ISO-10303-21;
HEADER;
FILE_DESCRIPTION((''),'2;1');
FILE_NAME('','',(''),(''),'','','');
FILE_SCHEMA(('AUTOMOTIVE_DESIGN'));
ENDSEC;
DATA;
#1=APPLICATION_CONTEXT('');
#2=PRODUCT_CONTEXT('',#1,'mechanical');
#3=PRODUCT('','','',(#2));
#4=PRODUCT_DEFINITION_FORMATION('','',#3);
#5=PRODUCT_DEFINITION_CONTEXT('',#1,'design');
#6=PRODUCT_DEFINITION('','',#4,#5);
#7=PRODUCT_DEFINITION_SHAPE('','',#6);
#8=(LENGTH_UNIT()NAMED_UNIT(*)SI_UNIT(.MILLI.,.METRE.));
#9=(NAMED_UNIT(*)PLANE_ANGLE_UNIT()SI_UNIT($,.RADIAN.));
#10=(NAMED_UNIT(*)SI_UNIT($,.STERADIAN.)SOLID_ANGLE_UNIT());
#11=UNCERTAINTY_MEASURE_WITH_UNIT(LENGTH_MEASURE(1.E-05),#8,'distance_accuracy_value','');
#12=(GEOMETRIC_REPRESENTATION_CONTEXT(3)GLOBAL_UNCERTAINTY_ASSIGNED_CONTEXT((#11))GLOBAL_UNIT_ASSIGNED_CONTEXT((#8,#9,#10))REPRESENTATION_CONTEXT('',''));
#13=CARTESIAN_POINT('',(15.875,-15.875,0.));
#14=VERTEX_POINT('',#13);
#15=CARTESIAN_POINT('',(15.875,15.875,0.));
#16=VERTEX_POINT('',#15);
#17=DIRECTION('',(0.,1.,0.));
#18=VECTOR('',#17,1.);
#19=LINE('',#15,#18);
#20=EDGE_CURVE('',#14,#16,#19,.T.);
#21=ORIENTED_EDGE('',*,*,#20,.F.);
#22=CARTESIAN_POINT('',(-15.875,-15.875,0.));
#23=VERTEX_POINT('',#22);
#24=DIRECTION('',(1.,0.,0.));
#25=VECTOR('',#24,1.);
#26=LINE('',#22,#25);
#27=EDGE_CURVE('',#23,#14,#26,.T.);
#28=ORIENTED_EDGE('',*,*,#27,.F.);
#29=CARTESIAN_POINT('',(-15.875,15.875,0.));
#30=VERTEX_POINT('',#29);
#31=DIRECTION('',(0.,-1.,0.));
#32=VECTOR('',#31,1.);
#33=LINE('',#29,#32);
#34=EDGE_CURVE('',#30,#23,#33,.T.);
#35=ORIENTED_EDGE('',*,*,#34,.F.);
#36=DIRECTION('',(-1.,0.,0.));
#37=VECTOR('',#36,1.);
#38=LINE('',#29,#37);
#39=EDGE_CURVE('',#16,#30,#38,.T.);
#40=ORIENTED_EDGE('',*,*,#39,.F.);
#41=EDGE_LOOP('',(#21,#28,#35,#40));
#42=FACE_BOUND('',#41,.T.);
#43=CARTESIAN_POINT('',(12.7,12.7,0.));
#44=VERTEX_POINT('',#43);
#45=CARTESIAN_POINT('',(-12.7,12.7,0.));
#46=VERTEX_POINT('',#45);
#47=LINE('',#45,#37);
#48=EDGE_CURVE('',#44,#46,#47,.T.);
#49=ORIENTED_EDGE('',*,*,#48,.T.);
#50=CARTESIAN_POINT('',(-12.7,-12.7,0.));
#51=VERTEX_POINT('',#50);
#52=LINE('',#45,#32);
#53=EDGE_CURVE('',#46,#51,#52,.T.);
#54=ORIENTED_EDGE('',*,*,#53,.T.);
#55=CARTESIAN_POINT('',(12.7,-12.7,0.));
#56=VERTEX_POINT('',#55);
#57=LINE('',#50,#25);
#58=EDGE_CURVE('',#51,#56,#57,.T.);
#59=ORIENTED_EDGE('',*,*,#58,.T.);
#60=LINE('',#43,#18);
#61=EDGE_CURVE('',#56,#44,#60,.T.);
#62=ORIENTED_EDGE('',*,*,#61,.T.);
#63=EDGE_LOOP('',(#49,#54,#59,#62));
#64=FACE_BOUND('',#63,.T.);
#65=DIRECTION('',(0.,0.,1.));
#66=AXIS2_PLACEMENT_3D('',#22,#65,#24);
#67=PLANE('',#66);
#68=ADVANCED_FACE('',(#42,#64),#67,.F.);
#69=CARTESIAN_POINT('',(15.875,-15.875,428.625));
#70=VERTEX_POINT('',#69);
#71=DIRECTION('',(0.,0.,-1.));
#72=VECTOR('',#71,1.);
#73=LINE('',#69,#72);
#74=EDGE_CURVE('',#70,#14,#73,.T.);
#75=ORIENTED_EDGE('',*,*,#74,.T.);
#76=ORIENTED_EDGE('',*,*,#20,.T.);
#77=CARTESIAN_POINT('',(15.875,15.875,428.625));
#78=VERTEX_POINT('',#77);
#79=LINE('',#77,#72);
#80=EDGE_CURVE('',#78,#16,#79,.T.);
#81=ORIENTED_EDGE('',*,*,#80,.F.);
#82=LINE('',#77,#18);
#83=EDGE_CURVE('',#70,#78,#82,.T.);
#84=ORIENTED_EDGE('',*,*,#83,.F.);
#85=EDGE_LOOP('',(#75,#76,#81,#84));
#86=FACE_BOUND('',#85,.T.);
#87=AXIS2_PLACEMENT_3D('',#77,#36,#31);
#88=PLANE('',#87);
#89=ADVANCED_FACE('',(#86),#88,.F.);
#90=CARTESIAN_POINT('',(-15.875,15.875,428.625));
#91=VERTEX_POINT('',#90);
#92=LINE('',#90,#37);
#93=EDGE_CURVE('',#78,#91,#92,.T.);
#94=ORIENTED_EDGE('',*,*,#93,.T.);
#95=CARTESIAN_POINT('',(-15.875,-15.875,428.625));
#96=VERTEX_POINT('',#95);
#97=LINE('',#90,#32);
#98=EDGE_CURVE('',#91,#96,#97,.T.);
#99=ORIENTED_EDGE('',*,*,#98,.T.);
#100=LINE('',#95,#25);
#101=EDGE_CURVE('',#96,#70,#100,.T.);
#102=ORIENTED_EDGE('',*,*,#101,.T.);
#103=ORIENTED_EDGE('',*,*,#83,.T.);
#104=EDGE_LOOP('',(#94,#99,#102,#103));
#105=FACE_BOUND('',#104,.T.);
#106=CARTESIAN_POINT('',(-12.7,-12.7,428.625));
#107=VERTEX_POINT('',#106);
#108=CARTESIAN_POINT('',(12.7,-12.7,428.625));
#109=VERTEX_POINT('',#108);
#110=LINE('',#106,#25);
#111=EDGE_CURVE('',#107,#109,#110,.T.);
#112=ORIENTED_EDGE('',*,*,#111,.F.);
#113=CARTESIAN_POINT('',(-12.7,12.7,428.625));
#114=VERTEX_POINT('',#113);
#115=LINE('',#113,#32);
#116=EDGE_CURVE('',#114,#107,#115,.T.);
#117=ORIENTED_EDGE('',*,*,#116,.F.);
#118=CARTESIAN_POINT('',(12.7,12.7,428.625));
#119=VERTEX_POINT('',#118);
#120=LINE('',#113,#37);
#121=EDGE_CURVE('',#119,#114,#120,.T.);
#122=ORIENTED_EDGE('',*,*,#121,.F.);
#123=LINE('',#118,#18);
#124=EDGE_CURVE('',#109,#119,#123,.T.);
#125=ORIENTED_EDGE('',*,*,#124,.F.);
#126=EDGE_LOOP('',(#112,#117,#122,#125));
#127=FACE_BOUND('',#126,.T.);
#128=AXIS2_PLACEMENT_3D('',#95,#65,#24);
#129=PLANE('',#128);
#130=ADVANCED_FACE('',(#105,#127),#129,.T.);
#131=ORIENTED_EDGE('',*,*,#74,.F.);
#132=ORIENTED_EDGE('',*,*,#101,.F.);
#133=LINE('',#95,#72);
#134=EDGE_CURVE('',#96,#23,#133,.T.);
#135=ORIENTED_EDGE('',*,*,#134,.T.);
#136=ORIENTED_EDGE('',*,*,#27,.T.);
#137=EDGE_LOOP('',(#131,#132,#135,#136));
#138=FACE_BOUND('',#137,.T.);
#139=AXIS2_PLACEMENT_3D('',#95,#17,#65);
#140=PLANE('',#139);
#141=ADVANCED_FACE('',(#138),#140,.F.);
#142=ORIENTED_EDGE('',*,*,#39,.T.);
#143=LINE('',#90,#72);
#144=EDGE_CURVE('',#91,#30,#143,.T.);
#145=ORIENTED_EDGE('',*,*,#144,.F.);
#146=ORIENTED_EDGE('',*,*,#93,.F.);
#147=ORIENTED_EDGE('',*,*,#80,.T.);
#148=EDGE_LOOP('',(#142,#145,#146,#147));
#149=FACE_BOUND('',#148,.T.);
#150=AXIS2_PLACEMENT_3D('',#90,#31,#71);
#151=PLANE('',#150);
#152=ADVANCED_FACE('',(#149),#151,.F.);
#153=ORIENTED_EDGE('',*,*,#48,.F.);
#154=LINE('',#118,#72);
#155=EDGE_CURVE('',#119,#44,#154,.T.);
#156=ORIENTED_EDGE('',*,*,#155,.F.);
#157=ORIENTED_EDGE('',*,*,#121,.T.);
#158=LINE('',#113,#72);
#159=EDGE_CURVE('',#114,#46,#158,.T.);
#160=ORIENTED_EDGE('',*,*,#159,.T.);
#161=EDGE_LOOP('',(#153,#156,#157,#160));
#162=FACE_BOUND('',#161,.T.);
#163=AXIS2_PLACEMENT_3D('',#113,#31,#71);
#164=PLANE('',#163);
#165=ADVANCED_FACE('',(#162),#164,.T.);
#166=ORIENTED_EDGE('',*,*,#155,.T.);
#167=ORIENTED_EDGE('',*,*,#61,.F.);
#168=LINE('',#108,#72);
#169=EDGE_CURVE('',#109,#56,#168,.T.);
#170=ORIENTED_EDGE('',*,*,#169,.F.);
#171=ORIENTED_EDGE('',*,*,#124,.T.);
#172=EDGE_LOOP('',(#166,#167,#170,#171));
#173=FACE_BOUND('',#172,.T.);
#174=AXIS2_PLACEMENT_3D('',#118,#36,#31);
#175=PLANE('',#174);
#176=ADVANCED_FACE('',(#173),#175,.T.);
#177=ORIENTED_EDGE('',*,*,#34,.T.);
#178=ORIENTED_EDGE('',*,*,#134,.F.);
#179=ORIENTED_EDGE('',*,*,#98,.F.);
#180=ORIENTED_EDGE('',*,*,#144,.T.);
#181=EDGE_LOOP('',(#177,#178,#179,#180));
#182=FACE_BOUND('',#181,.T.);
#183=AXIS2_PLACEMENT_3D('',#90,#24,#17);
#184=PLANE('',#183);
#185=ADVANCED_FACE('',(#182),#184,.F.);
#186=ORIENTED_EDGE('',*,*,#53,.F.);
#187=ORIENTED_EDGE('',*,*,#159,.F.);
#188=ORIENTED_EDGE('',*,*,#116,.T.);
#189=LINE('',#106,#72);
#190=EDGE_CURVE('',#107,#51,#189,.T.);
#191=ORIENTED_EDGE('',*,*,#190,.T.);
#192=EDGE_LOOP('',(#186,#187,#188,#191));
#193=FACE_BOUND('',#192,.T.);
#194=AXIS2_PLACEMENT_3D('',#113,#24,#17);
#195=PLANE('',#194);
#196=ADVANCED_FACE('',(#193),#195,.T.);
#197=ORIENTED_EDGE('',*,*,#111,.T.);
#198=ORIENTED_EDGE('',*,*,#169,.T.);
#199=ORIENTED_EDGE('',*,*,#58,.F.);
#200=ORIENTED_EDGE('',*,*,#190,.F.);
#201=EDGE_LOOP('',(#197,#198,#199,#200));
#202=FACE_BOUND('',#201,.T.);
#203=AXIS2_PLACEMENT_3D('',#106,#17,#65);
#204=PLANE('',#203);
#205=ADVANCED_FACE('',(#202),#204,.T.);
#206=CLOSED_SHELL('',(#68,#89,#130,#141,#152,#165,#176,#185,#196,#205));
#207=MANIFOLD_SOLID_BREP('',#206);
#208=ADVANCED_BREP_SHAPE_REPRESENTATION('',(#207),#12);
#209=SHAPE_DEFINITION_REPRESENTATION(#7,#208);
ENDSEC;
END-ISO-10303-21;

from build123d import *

# Parameters (mm, degrees)
SKETCH1_W      = 31.75
SKETCH1_H      = 31.75
SKETCH1_W_2    = 25.4
SKETCH1_H_2    = 25.4
EXTRUDE1_DEPTH = 428.625


with BuildPart() as part:
    # Sketch1 → Extrude1 (new body)
    with BuildSketch(Plane.XY):
        Rectangle(SKETCH1_W, SKETCH1_H)
        Rectangle(SKETCH1_W_2, SKETCH1_H_2, mode=Mode.SUBTRACT)
    extrude(amount=EXTRUDE1_DEPTH)


solid = part.part
